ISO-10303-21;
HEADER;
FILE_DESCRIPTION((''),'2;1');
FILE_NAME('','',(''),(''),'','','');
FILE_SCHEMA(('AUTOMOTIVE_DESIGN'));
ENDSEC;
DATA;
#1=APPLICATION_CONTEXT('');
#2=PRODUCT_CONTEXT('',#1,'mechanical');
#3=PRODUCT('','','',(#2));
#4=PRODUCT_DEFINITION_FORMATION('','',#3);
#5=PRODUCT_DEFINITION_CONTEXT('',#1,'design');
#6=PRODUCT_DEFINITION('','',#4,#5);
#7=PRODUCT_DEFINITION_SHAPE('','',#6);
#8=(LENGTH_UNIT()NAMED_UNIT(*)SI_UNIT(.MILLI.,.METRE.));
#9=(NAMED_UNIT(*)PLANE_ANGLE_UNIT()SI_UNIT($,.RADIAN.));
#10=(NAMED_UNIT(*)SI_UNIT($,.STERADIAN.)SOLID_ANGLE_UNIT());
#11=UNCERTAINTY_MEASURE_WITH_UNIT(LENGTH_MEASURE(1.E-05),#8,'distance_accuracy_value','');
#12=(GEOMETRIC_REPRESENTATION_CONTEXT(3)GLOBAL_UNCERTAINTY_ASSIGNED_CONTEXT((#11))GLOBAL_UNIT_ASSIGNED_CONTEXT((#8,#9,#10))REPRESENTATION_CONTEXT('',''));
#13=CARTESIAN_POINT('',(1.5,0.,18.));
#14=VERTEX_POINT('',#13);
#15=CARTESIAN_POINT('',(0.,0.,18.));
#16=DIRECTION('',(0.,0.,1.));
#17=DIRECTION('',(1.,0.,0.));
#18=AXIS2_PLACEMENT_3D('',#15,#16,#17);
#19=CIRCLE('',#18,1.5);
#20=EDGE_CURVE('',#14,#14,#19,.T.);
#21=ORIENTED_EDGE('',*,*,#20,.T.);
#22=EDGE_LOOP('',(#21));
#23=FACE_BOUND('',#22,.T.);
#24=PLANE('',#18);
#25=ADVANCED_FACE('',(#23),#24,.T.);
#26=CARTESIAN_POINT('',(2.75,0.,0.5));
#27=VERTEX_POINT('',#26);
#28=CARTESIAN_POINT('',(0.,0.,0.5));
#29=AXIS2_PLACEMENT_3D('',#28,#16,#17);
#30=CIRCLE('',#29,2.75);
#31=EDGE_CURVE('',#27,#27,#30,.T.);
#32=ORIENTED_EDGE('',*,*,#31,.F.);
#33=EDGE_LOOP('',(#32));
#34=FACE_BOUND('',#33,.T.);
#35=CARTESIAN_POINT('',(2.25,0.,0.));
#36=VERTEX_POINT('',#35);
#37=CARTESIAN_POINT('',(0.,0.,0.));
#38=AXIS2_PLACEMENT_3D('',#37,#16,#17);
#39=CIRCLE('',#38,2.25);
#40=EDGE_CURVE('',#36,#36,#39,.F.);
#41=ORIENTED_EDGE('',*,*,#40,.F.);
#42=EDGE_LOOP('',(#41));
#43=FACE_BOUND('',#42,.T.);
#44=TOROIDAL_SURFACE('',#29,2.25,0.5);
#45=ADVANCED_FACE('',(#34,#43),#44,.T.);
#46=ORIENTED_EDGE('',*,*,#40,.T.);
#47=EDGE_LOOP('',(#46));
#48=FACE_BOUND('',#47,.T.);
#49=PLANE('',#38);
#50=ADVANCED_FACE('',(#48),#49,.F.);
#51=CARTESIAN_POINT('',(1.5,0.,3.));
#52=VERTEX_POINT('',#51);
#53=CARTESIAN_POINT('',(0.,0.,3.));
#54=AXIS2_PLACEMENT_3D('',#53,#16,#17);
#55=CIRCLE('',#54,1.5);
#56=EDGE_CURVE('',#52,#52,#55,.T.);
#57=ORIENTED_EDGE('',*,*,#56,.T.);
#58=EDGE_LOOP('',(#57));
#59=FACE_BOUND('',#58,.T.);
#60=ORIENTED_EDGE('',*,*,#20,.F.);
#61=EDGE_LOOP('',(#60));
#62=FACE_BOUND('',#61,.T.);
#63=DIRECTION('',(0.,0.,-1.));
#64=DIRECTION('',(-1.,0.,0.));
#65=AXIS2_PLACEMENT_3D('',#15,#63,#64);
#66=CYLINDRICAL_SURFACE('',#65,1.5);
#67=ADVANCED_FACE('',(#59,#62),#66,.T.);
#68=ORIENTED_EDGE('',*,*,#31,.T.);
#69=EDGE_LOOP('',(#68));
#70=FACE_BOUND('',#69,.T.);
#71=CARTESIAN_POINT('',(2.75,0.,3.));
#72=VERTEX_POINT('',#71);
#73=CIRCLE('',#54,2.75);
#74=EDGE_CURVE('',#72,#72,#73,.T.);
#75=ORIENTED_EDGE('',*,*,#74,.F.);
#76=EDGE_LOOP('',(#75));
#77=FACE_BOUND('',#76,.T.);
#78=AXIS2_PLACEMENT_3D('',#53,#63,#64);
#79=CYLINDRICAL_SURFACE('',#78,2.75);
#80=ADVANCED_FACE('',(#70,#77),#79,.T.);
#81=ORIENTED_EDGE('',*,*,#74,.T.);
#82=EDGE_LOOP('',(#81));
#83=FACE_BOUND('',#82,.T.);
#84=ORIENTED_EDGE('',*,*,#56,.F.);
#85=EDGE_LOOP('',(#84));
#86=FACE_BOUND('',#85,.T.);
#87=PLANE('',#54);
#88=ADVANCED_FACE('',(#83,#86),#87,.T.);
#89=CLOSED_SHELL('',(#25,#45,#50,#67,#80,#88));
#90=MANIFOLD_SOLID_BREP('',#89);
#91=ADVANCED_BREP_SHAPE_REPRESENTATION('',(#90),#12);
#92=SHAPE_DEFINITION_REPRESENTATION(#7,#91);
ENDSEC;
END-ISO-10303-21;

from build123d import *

# Parameters (mm, degrees)
SKETCH_2_R      = 2.75
EXTRUDE_1_DEPTH = 3
SKETCH_3_R      = 1.5
EXTRUDE_2_DEPTH = 15
FILLET_1_R      = 0.5


with BuildPart() as part:
    # ｽｹｯﾁ2 → ﾎﾞｽ - 押し出し1 (new body)
    with BuildSketch(Plane.XY):
        Circle(SKETCH_2_R)
    extrude(amount=EXTRUDE_1_DEPTH)

    # ｽｹｯﾁ3 → ﾎﾞｽ - 押し出し2 (add)
    with BuildSketch(Plane.XY.offset(3)):
        Circle(SKETCH_3_R)
    extrude(amount=EXTRUDE_2_DEPTH)

    # ﾌｨﾚｯﾄ1
    fillet_1_edges = [part.edges().sort_by_distance(p)[0] for p in [
        (-2.75, 0, 0),
    ]]
    fillet(fillet_1_edges, radius=FILLET_1_R)


solid = part.part
